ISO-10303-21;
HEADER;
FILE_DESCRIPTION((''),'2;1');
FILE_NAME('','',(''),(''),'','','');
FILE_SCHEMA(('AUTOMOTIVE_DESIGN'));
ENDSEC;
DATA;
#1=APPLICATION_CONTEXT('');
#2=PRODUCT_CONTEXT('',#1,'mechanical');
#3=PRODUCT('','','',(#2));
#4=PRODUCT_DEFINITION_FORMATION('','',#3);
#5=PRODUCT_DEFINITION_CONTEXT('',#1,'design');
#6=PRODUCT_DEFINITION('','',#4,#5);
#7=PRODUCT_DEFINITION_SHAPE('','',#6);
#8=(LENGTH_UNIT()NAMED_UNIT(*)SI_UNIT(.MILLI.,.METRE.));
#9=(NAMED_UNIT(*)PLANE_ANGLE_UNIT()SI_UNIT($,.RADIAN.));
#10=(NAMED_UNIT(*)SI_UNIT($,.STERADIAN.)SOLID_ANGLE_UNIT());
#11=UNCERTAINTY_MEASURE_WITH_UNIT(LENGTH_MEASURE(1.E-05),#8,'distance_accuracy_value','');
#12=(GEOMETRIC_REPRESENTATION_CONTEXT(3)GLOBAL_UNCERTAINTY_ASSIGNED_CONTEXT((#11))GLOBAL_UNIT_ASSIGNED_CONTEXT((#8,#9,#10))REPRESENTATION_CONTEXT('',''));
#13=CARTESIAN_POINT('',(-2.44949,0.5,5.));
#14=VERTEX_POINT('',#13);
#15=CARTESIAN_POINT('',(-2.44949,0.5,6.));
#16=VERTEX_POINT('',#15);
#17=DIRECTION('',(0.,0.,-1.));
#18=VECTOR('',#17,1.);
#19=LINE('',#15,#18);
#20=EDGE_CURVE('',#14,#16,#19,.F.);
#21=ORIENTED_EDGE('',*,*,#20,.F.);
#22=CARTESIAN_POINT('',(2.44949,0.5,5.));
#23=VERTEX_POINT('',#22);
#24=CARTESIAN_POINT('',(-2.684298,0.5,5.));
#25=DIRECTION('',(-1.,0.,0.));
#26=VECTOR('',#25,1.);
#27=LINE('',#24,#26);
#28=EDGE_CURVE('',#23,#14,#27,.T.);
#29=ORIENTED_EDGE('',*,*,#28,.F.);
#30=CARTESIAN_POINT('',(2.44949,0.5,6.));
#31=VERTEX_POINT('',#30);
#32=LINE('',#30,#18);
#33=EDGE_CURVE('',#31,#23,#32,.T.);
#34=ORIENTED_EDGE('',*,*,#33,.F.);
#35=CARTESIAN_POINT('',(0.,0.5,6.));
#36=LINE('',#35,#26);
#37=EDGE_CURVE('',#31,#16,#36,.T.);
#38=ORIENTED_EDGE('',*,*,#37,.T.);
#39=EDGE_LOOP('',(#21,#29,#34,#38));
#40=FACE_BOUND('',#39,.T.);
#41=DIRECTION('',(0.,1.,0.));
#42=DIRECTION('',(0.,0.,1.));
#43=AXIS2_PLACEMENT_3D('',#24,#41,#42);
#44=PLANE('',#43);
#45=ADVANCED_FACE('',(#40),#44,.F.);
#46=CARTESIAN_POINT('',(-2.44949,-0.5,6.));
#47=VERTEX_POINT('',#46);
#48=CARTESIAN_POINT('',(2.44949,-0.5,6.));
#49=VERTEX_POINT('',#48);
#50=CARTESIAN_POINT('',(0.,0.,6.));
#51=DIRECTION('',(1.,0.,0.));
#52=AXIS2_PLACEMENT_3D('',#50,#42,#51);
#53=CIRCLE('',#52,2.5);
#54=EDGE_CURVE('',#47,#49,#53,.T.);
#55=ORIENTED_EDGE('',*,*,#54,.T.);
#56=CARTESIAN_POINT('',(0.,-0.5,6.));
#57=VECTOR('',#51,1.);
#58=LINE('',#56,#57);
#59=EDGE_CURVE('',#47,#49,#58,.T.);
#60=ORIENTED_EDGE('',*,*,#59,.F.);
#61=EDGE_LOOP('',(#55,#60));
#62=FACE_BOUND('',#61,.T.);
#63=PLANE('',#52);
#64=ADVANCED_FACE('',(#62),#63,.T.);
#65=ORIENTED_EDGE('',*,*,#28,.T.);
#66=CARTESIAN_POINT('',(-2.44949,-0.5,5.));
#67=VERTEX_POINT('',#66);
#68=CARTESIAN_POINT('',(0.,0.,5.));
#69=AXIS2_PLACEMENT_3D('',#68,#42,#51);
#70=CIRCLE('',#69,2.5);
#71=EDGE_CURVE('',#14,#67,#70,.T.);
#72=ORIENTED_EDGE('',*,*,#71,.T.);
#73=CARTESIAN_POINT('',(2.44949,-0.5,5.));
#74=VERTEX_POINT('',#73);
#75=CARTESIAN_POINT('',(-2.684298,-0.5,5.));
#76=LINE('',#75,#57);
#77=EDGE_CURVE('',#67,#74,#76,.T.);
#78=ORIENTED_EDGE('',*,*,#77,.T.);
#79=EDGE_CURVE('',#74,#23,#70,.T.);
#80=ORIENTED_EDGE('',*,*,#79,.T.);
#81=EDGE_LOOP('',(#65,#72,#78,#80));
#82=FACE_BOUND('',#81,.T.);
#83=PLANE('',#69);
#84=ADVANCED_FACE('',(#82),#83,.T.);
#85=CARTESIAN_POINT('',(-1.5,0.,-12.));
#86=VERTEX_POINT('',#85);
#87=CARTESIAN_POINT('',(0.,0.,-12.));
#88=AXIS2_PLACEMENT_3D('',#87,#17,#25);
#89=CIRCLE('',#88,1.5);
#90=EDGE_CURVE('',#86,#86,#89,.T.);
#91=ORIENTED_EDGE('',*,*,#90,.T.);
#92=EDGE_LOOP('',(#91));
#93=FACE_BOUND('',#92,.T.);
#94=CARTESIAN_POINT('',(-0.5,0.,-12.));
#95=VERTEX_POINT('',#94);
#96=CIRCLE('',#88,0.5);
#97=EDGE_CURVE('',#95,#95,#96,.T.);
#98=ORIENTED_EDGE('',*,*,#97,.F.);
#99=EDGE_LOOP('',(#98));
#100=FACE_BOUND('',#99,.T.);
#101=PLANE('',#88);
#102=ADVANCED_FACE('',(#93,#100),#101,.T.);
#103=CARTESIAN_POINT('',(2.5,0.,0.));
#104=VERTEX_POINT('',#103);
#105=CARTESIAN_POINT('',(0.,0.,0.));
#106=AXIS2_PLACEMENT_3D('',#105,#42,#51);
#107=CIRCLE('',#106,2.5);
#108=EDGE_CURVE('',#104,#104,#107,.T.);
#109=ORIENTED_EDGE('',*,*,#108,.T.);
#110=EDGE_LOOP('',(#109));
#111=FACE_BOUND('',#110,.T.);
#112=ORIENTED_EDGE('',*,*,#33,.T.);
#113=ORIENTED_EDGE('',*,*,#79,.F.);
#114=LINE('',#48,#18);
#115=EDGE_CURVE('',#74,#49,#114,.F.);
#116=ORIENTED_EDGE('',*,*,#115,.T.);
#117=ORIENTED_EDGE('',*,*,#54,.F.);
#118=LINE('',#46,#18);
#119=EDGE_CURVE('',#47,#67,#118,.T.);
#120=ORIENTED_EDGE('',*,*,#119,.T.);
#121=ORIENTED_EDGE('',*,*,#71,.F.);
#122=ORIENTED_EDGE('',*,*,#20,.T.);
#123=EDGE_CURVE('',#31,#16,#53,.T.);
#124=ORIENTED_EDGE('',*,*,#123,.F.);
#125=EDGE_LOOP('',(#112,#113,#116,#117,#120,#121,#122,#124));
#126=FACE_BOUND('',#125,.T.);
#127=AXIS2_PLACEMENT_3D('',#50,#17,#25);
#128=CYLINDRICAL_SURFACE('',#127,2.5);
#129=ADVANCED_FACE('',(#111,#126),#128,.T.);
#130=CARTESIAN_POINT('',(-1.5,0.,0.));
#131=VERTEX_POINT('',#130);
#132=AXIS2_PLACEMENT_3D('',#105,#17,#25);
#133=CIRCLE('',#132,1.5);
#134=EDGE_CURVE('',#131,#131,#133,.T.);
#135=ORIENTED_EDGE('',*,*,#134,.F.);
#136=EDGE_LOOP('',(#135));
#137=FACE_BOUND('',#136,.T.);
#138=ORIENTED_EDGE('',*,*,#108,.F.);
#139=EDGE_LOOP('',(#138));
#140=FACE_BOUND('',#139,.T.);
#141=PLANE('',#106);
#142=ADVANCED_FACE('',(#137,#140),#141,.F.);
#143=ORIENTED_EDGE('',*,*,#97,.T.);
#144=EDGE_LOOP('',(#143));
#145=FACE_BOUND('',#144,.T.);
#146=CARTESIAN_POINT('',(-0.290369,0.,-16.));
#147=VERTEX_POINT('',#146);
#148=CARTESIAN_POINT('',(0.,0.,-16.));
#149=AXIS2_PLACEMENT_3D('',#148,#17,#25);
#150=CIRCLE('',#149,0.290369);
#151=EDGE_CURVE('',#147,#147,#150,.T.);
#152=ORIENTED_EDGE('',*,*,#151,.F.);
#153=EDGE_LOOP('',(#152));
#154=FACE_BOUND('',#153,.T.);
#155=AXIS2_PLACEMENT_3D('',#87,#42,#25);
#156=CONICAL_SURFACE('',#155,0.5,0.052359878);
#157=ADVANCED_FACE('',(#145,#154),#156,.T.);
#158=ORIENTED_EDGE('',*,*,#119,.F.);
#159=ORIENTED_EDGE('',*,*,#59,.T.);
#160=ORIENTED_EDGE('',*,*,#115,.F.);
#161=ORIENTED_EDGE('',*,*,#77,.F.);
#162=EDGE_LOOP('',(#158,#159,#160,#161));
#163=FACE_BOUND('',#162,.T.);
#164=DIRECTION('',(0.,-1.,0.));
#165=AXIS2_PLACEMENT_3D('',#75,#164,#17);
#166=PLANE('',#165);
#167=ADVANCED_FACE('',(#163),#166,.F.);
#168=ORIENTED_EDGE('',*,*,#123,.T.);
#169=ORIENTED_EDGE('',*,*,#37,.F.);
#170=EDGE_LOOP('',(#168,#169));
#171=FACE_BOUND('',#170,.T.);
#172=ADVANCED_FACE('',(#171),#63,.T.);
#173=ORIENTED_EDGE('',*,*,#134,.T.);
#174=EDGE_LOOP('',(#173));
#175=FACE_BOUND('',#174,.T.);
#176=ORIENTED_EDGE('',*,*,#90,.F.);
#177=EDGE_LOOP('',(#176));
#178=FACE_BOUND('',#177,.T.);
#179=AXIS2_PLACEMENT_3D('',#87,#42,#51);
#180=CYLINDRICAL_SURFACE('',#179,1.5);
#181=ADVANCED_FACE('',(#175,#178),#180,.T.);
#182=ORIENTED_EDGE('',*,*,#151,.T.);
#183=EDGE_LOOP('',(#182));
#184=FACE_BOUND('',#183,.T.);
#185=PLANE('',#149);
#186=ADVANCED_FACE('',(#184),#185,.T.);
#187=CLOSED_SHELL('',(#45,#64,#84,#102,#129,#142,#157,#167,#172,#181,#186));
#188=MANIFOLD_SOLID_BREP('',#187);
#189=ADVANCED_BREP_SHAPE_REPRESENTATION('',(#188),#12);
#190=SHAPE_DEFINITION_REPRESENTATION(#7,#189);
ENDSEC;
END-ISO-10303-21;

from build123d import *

# Parameters (mm, degrees)
SKETCH1_R           = 2.5
BOSS_EXTRUDE1_DEPTH = 6
SKETCH2_W           = 5.368595506
SKETCH2_H           = 1
CUT_EXTRUDE1_DEPTH  = 1
SKETCH3_R           = 1.5
BOSS_EXTRUDE2_DEPTH = 12
SKETCH4_R           = 0.5
BOSS_EXTRUDE3_DEPTH = 4
BOSS_EXTRUDE3_TAPER = 3


with BuildPart() as part:
    # Sketch1 → Boss-Extrude1 (new body)
    with BuildSketch(Plane.XY):
        Circle(SKETCH1_R)
    extrude(amount=BOSS_EXTRUDE1_DEPTH)

    # Sketch2 → Cut-Extrude1 (cut)
    with BuildSketch(Plane.XY.offset(6)):
        Rectangle(SKETCH2_W, SKETCH2_H)
    extrude(amount=-CUT_EXTRUDE1_DEPTH, mode=Mode.SUBTRACT)

    # Sketch3 → Boss-Extrude2 (add)
    with BuildSketch(Plane(origin=(0, 0, 0), x_dir=(-1, 0, 0), z_dir=(0, 0, -1))):
        Circle(SKETCH3_R)
    extrude(amount=BOSS_EXTRUDE2_DEPTH)

    # Sketch4 → Boss-Extrude3 (add)
    with BuildSketch(Plane(origin=(0, 0, -12), x_dir=(-1, 0, 0), z_dir=(0, 0, -1))):
        Circle(SKETCH4_R)
    extrude(amount=BOSS_EXTRUDE3_DEPTH, taper=BOSS_EXTRUDE3_TAPER)


solid = part.part
